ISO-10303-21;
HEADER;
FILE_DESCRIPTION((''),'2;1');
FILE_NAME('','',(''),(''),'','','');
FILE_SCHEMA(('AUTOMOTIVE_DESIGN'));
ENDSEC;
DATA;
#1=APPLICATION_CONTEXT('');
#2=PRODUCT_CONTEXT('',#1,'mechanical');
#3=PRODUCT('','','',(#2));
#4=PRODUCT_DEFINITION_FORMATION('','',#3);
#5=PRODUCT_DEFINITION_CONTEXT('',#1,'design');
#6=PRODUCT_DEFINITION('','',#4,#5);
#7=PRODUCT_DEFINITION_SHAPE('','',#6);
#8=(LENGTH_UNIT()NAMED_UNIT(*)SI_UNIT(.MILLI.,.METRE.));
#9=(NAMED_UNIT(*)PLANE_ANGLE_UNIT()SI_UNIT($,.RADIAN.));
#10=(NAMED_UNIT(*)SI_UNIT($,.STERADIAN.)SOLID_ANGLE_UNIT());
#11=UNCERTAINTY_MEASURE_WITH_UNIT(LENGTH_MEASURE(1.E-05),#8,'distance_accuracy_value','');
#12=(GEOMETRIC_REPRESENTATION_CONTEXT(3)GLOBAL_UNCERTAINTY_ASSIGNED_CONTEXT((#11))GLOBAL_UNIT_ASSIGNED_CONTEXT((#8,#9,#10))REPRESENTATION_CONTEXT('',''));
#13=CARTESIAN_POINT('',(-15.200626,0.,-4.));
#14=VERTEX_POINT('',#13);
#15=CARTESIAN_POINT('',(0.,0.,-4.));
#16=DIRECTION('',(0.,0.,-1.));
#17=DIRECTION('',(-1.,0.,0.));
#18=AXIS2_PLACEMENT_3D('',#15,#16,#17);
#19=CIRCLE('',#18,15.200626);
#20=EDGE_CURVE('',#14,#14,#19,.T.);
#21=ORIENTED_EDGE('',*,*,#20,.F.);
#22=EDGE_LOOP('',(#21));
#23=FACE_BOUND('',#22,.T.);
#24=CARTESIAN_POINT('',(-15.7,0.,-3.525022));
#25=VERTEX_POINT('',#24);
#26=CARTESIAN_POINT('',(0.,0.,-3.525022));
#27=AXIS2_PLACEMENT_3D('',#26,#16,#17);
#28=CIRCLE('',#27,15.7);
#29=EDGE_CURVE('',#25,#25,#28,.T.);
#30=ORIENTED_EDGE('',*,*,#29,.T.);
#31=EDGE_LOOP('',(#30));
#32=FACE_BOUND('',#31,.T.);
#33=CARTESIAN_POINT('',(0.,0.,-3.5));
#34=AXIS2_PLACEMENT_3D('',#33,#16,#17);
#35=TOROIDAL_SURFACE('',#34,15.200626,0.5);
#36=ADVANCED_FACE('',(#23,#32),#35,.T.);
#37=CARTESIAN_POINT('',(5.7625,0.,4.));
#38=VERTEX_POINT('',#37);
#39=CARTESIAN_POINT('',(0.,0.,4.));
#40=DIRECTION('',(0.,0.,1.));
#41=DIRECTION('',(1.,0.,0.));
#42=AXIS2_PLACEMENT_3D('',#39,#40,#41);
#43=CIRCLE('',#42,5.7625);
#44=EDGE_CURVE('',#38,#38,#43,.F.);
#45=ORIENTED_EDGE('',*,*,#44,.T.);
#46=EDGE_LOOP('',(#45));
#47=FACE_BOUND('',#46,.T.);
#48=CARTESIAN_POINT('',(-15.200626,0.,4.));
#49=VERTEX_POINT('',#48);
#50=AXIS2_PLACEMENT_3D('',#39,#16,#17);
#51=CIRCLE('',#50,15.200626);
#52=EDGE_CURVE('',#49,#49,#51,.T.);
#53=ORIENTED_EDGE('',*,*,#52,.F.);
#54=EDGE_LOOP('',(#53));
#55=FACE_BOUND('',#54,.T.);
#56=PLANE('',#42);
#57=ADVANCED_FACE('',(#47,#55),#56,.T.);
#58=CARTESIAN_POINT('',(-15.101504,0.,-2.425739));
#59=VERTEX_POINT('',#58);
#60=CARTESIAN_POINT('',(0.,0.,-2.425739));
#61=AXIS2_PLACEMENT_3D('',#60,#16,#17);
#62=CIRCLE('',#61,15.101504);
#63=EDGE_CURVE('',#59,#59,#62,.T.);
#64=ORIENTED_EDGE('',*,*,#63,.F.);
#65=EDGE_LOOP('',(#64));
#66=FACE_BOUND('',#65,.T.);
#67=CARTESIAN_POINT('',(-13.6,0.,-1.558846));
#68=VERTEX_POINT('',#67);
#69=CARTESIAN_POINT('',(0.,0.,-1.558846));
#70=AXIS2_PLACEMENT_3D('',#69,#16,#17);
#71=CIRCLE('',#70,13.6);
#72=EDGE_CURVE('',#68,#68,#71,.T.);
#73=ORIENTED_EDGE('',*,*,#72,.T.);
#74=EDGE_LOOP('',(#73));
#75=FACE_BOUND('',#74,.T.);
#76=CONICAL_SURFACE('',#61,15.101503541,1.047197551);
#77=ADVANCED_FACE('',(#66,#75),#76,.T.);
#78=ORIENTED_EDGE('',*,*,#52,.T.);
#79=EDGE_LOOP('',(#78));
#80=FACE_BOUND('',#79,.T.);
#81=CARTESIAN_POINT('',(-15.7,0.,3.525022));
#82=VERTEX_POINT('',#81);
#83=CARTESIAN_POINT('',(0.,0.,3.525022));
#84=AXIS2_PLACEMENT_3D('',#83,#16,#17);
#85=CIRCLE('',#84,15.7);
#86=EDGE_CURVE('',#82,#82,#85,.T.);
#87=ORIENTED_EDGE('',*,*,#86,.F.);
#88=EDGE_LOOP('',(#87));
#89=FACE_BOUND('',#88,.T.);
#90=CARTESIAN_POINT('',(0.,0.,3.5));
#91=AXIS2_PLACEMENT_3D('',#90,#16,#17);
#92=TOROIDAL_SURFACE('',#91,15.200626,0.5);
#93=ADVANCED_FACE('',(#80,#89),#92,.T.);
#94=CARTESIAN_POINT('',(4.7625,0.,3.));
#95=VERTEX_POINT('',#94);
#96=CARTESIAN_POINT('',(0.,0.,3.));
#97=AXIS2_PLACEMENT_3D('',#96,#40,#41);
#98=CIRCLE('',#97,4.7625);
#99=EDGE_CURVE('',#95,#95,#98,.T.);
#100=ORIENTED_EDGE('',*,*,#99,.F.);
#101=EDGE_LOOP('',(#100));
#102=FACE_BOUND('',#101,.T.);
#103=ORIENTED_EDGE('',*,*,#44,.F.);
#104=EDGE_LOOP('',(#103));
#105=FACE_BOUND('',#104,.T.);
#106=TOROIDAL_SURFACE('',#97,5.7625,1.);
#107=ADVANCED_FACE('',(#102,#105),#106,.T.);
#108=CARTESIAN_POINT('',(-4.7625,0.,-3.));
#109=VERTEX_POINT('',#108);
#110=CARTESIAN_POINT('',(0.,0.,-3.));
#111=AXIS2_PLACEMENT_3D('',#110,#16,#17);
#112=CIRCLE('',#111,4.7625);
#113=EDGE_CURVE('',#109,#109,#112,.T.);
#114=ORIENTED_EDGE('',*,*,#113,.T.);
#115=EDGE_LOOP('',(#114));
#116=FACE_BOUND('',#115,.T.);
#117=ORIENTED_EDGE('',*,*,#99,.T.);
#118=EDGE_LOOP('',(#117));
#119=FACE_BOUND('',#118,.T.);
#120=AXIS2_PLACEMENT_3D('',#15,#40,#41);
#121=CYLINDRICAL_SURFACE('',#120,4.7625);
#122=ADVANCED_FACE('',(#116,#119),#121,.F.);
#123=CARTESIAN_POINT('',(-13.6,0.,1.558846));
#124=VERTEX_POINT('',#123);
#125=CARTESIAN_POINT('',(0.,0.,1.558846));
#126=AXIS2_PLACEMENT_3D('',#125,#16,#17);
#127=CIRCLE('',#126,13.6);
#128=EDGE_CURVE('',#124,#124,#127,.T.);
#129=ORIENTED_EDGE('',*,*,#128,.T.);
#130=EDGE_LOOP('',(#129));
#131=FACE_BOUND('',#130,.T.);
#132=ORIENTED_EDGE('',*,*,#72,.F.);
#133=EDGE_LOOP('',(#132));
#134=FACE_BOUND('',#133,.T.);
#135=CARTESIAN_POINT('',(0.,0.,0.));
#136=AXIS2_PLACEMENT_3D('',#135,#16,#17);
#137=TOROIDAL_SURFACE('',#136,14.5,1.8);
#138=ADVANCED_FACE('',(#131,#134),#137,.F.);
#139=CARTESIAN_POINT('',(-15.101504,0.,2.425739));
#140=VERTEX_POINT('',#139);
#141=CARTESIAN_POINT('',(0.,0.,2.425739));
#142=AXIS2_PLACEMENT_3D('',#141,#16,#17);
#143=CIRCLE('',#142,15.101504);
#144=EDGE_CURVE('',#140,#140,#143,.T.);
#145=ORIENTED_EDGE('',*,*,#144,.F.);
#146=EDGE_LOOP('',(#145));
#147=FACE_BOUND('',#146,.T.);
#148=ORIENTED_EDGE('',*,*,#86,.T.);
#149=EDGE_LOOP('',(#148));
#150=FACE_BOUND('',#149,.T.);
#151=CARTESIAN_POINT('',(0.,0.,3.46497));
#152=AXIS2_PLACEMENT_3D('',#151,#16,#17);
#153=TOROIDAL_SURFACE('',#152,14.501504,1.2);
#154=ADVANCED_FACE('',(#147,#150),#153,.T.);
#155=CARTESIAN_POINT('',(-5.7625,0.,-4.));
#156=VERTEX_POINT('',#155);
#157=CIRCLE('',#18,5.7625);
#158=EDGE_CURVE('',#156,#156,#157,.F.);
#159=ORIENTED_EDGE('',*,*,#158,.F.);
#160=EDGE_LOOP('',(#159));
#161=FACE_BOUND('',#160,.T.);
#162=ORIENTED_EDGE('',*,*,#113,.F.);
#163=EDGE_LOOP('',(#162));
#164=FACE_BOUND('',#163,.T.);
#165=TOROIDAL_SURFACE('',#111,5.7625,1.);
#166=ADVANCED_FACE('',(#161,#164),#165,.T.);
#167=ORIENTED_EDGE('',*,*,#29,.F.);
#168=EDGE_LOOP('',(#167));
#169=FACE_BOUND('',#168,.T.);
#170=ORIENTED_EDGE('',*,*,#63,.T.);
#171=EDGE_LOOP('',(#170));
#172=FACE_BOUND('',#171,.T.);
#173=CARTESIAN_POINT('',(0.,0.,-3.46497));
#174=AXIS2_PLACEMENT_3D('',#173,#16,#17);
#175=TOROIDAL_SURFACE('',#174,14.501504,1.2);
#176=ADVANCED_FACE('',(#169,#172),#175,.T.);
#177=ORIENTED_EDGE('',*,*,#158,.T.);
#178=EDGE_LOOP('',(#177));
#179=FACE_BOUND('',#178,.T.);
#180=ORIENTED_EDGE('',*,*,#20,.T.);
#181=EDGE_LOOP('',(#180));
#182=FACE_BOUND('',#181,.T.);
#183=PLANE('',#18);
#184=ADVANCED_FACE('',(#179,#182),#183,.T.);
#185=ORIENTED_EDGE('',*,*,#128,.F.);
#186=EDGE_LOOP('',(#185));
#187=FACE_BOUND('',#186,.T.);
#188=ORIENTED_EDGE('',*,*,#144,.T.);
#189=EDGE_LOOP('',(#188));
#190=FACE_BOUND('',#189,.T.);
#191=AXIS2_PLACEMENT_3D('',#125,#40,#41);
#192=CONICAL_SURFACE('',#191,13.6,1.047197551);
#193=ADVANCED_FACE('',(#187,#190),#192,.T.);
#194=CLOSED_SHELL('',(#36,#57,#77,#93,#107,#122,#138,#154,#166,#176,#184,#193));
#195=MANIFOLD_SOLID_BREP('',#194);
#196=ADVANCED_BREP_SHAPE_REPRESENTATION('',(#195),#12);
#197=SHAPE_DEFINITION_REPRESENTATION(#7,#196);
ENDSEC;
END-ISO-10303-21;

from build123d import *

# Parameters (mm, degrees)
SKETCH2_R          = 4.7625
CUT_EXTRUDE2_DEPTH = 9
FILLET3_R          = 1


with BuildPart() as part:
    # Sketch1 → Revolve1 (revolve)
    with BuildSketch(Plane(origin=(0, 0, 0), x_dir=(0, 0, -1), z_dir=(1, 0, 0))):
        with BuildLine():
            Line((4, 0), (-4, 0))
            Line((-4, 0), (-4, 15.200626476))
            ThreePointArc((-4, 15.200626476), (-3.86229189, 15.54521984), (-3.525021653, 15.7))
            ThreePointArc((-3.525021653, 15.7), (-2.891169071, 15.555426146), (-2.425739201, 15.101503541))
            Line((-2.425739201, 15.101503541), (-1.558845727, 13.6))
            ThreePointArc((-1.558845727, 13.6), (0, 12.7), (1.558845727, 13.6))
            Line((1.558845727, 13.6), (2.425739201, 15.101503541))
            ThreePointArc((2.425739201, 15.101503541), (2.891169071, 15.555426146), (3.525021653, 15.7))
            ThreePointArc((3.525021653, 15.7), (3.86229189, 15.54521984), (4, 15.200626476))
            Line((4, 15.200626476), (4, 0))
        make_face()
    revolve(axis=Axis((0, 0, -4), (0, 0, 1)))

    # Sketch2 → Cut-Extrude2 (cut, through all)
    with BuildSketch(Plane.XY.offset(4)):
        Circle(SKETCH2_R)
    extrude(amount=-CUT_EXTRUDE2_DEPTH, mode=Mode.SUBTRACT)

    # Fillet3
    fillet3_edges = [part.edges().sort_by_distance(p)[0] for p in [
        (-4.7625, 0, -4),
        (-4.7625, 0, 4),
    ]]
    fillet(fillet3_edges, radius=FILLET3_R)


solid = part.part
